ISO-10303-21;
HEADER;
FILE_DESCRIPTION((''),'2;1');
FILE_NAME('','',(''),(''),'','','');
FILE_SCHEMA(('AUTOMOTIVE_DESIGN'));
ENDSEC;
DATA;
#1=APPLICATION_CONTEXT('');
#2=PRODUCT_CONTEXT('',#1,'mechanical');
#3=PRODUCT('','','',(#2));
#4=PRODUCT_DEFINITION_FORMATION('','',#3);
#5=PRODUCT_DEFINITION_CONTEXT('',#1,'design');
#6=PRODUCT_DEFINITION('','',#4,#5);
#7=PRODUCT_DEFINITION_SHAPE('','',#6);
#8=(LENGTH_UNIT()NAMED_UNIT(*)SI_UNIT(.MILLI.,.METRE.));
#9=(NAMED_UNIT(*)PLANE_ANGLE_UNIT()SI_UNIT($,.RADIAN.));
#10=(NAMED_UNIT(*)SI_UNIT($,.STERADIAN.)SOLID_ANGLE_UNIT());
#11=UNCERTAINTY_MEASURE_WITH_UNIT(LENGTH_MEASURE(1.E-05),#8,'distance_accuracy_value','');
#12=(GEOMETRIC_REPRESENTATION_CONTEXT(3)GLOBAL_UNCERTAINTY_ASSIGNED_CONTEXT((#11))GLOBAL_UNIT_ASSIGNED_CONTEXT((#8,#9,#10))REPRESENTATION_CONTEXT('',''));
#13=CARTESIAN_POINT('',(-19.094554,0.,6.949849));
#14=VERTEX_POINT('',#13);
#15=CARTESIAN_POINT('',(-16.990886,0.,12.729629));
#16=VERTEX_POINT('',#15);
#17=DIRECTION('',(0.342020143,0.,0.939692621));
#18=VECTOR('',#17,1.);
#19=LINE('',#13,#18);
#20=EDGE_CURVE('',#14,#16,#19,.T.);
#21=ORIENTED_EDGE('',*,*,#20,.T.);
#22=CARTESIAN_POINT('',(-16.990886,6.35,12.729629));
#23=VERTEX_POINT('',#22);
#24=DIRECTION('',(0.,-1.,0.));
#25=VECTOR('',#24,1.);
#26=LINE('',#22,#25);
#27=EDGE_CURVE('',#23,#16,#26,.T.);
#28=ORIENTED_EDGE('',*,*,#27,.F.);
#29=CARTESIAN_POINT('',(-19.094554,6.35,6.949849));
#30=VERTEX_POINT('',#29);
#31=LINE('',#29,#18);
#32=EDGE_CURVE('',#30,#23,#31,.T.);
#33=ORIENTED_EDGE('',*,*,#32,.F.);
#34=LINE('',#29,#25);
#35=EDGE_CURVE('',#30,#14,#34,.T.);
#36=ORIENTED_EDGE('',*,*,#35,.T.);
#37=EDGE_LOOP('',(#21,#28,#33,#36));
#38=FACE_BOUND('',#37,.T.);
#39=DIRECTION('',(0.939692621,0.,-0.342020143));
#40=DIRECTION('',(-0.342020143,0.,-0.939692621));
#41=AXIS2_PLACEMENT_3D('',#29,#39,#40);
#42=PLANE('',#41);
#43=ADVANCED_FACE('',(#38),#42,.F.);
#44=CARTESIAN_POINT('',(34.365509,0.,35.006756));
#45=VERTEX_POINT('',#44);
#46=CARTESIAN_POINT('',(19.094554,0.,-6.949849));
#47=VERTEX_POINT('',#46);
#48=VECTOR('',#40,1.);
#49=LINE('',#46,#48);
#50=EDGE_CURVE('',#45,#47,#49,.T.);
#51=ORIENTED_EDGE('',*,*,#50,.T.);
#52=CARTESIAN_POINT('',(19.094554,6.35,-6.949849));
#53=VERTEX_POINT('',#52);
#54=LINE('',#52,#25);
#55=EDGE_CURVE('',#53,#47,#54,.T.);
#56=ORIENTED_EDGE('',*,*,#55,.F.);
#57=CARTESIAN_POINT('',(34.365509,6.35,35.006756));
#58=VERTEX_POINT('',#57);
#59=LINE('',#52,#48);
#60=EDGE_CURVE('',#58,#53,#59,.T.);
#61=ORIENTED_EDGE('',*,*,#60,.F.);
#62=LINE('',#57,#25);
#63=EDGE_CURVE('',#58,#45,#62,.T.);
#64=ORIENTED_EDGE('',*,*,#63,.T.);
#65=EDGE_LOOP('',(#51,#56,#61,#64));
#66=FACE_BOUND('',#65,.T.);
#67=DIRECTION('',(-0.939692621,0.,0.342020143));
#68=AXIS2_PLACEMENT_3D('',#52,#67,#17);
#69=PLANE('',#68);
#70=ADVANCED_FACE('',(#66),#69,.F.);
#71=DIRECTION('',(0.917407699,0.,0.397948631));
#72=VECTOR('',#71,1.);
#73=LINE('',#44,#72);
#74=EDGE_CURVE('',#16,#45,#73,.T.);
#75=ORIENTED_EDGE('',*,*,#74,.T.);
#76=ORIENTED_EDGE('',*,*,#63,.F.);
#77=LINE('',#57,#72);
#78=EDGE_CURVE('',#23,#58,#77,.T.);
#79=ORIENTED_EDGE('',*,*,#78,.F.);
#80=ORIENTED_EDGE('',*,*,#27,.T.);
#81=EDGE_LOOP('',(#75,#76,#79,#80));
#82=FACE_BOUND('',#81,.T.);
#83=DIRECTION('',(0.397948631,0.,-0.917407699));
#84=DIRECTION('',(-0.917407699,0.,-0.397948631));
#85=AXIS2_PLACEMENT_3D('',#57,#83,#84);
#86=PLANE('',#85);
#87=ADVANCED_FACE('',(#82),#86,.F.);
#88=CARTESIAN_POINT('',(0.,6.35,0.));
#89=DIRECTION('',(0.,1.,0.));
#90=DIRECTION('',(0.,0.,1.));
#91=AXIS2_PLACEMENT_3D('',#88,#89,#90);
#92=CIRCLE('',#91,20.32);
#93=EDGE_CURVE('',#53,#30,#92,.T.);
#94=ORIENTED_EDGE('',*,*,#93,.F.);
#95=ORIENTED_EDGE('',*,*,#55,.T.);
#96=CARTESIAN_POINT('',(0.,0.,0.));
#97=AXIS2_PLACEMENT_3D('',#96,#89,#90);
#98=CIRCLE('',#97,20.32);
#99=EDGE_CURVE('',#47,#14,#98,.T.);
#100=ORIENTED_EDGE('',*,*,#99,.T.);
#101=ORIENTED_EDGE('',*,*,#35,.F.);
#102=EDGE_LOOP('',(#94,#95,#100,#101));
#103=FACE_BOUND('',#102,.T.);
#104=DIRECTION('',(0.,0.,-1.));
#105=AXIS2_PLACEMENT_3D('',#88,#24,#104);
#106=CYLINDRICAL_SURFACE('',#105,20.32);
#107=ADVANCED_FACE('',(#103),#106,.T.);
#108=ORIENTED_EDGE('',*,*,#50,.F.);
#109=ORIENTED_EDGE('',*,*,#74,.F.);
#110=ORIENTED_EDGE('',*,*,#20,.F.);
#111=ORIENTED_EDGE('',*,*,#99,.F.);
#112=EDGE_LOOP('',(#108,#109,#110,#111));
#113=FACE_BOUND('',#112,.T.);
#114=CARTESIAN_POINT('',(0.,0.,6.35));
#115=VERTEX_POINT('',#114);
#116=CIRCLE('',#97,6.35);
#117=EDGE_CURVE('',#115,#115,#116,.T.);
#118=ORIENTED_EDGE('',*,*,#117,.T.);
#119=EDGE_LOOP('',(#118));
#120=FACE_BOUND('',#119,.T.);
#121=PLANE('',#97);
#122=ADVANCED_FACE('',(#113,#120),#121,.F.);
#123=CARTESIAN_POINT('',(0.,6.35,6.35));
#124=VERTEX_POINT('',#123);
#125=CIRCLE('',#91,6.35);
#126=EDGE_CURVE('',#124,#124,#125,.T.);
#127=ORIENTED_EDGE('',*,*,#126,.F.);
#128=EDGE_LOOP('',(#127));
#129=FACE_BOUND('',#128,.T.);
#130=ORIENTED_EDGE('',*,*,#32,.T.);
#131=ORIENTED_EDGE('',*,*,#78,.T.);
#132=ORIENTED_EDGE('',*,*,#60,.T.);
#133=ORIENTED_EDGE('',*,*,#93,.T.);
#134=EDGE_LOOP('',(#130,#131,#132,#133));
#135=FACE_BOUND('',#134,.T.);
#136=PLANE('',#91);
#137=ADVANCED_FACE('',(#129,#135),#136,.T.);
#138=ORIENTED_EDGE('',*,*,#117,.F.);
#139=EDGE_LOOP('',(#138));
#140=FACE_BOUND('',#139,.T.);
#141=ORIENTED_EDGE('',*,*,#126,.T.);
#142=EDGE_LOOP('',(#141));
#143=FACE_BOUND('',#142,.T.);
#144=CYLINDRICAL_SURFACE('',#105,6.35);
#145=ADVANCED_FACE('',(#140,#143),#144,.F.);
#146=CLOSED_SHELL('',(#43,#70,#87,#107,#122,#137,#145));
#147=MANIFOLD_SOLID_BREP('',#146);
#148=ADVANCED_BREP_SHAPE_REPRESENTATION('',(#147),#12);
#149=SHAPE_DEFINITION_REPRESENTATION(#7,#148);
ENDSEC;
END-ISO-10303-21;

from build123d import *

# Parameters (mm, degrees)
SKETCH1_R           = 6.35
BOSS_EXTRUDE1_DEPTH = 6.35


with BuildPart() as part:
    # Sketch1 → Boss-Extrude1 (new body)
    with BuildSketch(Plane(origin=(0, 0, 0), x_dir=(1, 0, 0), z_dir=(0, 1, 0))):
        with BuildLine():
            Line((19.094554054, 6.949849312), (34.365509447, -35.006755803))
            Line((34.365509447, -35.006755803), (-16.990886166, -12.729629333))
            Line((-16.990886166, -12.729629333), (-19.094554054, -6.949849312))
            ThreePointArc((-19.094554054, -6.949849312), (-6.949849312, 19.094554054), (19.094554054, 6.949849312))
        make_face()
        with Locations(Location((0, 0, 0), (0, 0, 270))):
            Circle(SKETCH1_R, mode=Mode.SUBTRACT)
    extrude(amount=BOSS_EXTRUDE1_DEPTH)


solid = part.part
